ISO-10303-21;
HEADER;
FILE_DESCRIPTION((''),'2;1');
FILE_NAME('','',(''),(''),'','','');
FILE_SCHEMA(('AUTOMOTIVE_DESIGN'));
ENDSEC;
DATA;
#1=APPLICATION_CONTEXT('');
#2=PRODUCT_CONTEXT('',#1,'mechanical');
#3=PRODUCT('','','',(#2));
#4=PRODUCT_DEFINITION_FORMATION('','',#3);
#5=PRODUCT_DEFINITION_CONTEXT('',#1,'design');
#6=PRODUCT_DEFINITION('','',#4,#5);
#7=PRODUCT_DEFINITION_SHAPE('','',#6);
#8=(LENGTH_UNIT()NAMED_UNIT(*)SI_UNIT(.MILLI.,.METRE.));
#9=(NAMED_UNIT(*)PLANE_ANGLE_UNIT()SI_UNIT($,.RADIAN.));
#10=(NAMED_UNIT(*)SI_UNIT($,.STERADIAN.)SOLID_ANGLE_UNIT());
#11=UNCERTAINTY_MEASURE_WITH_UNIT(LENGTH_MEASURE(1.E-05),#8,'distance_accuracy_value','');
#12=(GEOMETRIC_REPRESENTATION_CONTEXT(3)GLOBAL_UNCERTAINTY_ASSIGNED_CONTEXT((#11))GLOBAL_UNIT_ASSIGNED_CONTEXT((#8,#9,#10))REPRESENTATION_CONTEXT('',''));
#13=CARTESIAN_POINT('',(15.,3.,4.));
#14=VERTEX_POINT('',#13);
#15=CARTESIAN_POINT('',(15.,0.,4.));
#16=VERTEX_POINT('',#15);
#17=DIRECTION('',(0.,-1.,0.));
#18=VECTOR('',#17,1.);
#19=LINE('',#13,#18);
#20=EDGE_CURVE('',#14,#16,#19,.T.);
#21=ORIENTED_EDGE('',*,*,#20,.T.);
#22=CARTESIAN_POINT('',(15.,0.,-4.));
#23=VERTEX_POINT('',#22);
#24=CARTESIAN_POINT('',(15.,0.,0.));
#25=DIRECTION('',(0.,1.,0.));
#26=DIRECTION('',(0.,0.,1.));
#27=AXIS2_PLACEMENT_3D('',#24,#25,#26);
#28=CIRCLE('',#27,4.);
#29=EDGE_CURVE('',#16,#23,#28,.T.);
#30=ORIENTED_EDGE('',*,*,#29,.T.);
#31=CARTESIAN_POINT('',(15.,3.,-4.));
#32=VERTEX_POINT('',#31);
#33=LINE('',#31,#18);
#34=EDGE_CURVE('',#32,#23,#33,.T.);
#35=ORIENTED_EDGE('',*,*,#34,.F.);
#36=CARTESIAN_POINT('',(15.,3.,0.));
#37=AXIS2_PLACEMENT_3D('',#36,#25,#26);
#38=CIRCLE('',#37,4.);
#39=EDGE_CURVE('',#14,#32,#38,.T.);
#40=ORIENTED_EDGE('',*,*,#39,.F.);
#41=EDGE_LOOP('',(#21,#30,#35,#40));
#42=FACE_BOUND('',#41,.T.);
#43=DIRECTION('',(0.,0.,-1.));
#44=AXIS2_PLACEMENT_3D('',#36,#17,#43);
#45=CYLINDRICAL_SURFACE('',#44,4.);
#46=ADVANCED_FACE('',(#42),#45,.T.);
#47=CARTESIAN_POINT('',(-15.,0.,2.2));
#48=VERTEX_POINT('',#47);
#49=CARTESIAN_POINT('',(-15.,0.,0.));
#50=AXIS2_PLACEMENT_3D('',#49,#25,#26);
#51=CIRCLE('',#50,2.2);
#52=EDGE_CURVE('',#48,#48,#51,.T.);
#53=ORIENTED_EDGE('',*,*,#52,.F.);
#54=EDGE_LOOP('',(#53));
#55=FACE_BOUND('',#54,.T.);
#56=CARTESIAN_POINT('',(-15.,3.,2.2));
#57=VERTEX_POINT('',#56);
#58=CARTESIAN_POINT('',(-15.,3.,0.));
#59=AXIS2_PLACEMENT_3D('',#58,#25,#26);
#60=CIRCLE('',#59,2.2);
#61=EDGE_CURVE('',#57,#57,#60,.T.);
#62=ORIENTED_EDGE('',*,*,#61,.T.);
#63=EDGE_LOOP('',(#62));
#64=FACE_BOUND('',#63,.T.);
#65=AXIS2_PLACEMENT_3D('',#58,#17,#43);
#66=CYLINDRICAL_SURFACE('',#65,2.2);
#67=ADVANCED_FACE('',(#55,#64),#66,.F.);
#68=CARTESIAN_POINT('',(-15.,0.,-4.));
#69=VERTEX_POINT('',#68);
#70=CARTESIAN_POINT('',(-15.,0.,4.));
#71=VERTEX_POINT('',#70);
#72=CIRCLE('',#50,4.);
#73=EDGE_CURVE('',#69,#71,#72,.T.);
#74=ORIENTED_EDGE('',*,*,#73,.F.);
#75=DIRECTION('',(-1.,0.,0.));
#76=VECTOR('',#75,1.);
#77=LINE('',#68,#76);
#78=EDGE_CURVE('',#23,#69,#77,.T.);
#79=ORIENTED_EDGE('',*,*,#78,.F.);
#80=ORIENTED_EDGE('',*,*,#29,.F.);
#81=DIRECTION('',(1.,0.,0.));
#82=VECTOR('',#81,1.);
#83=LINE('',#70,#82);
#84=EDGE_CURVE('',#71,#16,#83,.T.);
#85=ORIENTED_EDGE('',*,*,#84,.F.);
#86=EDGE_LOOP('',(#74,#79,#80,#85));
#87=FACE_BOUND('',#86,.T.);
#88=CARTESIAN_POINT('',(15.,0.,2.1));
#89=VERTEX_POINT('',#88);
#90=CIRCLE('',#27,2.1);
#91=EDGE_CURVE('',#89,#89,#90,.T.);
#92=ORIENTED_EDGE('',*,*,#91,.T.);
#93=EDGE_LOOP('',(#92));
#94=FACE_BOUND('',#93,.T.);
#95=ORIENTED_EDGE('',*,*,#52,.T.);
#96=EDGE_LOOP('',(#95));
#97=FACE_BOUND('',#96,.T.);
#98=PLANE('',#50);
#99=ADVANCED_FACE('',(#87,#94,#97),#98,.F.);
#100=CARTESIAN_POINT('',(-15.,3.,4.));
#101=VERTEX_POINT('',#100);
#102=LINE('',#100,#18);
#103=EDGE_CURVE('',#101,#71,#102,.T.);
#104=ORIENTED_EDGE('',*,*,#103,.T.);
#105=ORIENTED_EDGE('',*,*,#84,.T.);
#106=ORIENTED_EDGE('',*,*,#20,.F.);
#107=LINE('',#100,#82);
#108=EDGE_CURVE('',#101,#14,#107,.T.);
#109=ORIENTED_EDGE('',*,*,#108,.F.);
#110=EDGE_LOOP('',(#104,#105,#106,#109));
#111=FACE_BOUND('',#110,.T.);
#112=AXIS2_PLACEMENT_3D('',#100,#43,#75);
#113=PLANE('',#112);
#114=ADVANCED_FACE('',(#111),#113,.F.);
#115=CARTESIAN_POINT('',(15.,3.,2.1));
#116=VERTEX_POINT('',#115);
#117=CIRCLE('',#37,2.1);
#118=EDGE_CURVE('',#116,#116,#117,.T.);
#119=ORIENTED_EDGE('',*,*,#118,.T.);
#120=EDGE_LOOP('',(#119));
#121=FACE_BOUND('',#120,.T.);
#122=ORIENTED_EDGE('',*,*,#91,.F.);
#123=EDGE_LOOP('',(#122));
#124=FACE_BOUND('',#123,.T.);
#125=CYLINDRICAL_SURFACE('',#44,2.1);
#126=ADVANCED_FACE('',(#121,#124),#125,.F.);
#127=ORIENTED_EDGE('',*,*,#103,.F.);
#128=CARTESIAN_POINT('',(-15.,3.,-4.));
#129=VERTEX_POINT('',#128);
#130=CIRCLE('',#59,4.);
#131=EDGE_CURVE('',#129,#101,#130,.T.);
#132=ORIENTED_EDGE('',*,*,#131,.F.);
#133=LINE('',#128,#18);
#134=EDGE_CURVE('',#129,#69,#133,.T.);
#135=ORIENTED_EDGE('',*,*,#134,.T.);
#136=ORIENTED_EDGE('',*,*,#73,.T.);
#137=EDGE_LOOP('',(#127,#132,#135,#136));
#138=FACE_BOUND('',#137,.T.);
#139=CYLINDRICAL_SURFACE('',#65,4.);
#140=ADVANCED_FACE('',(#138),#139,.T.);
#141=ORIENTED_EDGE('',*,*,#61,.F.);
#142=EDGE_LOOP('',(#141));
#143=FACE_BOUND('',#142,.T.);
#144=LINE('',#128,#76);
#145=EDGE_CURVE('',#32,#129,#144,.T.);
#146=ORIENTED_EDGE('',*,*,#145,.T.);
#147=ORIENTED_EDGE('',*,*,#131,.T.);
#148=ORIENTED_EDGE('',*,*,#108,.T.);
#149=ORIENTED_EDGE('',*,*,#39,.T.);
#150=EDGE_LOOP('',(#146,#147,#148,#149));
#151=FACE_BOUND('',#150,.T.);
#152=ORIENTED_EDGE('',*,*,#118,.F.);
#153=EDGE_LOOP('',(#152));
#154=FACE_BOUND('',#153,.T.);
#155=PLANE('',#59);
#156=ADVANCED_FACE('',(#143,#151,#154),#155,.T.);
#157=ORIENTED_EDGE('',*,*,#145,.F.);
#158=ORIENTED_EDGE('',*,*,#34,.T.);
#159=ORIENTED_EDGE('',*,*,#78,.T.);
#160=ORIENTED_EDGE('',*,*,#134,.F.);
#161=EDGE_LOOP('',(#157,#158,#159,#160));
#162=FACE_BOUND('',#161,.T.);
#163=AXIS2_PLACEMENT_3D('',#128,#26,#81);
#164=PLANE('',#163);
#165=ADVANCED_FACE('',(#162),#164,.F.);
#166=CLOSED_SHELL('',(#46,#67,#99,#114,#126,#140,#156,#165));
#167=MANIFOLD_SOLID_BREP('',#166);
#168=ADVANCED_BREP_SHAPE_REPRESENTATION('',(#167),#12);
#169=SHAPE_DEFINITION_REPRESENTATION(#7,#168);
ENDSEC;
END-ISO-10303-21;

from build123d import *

# Parameters (mm, degrees)
SKETCH1_R           = 2.1
SKETCH1_R_2         = 2.2
BOSS_EXTRUDE1_DEPTH = 3


with BuildPart() as part:
    # Sketch1 → Boss-Extrude1 (new body)
    with BuildSketch(Plane(origin=(0, 0, 0), x_dir=(1, 0, 0), z_dir=(0, 1, 0))):
        with BuildLine():
            Line((-15, 4), (15, 4))
            ThreePointArc((15, 4), (19, 0), (15, -4))
            Line((15, -4), (-15, -4))
            ThreePointArc((-15, -4), (-19, 0), (-15, 4))
        make_face()
        with Locations(Location((15, 0, 0), (0, 0, 270))):
            Circle(SKETCH1_R, mode=Mode.SUBTRACT)
        with Locations(Location((-15, 0, 0), (0, 0, 270))):
            Circle(SKETCH1_R_2, mode=Mode.SUBTRACT)
    extrude(amount=BOSS_EXTRUDE1_DEPTH)


solid = part.part
